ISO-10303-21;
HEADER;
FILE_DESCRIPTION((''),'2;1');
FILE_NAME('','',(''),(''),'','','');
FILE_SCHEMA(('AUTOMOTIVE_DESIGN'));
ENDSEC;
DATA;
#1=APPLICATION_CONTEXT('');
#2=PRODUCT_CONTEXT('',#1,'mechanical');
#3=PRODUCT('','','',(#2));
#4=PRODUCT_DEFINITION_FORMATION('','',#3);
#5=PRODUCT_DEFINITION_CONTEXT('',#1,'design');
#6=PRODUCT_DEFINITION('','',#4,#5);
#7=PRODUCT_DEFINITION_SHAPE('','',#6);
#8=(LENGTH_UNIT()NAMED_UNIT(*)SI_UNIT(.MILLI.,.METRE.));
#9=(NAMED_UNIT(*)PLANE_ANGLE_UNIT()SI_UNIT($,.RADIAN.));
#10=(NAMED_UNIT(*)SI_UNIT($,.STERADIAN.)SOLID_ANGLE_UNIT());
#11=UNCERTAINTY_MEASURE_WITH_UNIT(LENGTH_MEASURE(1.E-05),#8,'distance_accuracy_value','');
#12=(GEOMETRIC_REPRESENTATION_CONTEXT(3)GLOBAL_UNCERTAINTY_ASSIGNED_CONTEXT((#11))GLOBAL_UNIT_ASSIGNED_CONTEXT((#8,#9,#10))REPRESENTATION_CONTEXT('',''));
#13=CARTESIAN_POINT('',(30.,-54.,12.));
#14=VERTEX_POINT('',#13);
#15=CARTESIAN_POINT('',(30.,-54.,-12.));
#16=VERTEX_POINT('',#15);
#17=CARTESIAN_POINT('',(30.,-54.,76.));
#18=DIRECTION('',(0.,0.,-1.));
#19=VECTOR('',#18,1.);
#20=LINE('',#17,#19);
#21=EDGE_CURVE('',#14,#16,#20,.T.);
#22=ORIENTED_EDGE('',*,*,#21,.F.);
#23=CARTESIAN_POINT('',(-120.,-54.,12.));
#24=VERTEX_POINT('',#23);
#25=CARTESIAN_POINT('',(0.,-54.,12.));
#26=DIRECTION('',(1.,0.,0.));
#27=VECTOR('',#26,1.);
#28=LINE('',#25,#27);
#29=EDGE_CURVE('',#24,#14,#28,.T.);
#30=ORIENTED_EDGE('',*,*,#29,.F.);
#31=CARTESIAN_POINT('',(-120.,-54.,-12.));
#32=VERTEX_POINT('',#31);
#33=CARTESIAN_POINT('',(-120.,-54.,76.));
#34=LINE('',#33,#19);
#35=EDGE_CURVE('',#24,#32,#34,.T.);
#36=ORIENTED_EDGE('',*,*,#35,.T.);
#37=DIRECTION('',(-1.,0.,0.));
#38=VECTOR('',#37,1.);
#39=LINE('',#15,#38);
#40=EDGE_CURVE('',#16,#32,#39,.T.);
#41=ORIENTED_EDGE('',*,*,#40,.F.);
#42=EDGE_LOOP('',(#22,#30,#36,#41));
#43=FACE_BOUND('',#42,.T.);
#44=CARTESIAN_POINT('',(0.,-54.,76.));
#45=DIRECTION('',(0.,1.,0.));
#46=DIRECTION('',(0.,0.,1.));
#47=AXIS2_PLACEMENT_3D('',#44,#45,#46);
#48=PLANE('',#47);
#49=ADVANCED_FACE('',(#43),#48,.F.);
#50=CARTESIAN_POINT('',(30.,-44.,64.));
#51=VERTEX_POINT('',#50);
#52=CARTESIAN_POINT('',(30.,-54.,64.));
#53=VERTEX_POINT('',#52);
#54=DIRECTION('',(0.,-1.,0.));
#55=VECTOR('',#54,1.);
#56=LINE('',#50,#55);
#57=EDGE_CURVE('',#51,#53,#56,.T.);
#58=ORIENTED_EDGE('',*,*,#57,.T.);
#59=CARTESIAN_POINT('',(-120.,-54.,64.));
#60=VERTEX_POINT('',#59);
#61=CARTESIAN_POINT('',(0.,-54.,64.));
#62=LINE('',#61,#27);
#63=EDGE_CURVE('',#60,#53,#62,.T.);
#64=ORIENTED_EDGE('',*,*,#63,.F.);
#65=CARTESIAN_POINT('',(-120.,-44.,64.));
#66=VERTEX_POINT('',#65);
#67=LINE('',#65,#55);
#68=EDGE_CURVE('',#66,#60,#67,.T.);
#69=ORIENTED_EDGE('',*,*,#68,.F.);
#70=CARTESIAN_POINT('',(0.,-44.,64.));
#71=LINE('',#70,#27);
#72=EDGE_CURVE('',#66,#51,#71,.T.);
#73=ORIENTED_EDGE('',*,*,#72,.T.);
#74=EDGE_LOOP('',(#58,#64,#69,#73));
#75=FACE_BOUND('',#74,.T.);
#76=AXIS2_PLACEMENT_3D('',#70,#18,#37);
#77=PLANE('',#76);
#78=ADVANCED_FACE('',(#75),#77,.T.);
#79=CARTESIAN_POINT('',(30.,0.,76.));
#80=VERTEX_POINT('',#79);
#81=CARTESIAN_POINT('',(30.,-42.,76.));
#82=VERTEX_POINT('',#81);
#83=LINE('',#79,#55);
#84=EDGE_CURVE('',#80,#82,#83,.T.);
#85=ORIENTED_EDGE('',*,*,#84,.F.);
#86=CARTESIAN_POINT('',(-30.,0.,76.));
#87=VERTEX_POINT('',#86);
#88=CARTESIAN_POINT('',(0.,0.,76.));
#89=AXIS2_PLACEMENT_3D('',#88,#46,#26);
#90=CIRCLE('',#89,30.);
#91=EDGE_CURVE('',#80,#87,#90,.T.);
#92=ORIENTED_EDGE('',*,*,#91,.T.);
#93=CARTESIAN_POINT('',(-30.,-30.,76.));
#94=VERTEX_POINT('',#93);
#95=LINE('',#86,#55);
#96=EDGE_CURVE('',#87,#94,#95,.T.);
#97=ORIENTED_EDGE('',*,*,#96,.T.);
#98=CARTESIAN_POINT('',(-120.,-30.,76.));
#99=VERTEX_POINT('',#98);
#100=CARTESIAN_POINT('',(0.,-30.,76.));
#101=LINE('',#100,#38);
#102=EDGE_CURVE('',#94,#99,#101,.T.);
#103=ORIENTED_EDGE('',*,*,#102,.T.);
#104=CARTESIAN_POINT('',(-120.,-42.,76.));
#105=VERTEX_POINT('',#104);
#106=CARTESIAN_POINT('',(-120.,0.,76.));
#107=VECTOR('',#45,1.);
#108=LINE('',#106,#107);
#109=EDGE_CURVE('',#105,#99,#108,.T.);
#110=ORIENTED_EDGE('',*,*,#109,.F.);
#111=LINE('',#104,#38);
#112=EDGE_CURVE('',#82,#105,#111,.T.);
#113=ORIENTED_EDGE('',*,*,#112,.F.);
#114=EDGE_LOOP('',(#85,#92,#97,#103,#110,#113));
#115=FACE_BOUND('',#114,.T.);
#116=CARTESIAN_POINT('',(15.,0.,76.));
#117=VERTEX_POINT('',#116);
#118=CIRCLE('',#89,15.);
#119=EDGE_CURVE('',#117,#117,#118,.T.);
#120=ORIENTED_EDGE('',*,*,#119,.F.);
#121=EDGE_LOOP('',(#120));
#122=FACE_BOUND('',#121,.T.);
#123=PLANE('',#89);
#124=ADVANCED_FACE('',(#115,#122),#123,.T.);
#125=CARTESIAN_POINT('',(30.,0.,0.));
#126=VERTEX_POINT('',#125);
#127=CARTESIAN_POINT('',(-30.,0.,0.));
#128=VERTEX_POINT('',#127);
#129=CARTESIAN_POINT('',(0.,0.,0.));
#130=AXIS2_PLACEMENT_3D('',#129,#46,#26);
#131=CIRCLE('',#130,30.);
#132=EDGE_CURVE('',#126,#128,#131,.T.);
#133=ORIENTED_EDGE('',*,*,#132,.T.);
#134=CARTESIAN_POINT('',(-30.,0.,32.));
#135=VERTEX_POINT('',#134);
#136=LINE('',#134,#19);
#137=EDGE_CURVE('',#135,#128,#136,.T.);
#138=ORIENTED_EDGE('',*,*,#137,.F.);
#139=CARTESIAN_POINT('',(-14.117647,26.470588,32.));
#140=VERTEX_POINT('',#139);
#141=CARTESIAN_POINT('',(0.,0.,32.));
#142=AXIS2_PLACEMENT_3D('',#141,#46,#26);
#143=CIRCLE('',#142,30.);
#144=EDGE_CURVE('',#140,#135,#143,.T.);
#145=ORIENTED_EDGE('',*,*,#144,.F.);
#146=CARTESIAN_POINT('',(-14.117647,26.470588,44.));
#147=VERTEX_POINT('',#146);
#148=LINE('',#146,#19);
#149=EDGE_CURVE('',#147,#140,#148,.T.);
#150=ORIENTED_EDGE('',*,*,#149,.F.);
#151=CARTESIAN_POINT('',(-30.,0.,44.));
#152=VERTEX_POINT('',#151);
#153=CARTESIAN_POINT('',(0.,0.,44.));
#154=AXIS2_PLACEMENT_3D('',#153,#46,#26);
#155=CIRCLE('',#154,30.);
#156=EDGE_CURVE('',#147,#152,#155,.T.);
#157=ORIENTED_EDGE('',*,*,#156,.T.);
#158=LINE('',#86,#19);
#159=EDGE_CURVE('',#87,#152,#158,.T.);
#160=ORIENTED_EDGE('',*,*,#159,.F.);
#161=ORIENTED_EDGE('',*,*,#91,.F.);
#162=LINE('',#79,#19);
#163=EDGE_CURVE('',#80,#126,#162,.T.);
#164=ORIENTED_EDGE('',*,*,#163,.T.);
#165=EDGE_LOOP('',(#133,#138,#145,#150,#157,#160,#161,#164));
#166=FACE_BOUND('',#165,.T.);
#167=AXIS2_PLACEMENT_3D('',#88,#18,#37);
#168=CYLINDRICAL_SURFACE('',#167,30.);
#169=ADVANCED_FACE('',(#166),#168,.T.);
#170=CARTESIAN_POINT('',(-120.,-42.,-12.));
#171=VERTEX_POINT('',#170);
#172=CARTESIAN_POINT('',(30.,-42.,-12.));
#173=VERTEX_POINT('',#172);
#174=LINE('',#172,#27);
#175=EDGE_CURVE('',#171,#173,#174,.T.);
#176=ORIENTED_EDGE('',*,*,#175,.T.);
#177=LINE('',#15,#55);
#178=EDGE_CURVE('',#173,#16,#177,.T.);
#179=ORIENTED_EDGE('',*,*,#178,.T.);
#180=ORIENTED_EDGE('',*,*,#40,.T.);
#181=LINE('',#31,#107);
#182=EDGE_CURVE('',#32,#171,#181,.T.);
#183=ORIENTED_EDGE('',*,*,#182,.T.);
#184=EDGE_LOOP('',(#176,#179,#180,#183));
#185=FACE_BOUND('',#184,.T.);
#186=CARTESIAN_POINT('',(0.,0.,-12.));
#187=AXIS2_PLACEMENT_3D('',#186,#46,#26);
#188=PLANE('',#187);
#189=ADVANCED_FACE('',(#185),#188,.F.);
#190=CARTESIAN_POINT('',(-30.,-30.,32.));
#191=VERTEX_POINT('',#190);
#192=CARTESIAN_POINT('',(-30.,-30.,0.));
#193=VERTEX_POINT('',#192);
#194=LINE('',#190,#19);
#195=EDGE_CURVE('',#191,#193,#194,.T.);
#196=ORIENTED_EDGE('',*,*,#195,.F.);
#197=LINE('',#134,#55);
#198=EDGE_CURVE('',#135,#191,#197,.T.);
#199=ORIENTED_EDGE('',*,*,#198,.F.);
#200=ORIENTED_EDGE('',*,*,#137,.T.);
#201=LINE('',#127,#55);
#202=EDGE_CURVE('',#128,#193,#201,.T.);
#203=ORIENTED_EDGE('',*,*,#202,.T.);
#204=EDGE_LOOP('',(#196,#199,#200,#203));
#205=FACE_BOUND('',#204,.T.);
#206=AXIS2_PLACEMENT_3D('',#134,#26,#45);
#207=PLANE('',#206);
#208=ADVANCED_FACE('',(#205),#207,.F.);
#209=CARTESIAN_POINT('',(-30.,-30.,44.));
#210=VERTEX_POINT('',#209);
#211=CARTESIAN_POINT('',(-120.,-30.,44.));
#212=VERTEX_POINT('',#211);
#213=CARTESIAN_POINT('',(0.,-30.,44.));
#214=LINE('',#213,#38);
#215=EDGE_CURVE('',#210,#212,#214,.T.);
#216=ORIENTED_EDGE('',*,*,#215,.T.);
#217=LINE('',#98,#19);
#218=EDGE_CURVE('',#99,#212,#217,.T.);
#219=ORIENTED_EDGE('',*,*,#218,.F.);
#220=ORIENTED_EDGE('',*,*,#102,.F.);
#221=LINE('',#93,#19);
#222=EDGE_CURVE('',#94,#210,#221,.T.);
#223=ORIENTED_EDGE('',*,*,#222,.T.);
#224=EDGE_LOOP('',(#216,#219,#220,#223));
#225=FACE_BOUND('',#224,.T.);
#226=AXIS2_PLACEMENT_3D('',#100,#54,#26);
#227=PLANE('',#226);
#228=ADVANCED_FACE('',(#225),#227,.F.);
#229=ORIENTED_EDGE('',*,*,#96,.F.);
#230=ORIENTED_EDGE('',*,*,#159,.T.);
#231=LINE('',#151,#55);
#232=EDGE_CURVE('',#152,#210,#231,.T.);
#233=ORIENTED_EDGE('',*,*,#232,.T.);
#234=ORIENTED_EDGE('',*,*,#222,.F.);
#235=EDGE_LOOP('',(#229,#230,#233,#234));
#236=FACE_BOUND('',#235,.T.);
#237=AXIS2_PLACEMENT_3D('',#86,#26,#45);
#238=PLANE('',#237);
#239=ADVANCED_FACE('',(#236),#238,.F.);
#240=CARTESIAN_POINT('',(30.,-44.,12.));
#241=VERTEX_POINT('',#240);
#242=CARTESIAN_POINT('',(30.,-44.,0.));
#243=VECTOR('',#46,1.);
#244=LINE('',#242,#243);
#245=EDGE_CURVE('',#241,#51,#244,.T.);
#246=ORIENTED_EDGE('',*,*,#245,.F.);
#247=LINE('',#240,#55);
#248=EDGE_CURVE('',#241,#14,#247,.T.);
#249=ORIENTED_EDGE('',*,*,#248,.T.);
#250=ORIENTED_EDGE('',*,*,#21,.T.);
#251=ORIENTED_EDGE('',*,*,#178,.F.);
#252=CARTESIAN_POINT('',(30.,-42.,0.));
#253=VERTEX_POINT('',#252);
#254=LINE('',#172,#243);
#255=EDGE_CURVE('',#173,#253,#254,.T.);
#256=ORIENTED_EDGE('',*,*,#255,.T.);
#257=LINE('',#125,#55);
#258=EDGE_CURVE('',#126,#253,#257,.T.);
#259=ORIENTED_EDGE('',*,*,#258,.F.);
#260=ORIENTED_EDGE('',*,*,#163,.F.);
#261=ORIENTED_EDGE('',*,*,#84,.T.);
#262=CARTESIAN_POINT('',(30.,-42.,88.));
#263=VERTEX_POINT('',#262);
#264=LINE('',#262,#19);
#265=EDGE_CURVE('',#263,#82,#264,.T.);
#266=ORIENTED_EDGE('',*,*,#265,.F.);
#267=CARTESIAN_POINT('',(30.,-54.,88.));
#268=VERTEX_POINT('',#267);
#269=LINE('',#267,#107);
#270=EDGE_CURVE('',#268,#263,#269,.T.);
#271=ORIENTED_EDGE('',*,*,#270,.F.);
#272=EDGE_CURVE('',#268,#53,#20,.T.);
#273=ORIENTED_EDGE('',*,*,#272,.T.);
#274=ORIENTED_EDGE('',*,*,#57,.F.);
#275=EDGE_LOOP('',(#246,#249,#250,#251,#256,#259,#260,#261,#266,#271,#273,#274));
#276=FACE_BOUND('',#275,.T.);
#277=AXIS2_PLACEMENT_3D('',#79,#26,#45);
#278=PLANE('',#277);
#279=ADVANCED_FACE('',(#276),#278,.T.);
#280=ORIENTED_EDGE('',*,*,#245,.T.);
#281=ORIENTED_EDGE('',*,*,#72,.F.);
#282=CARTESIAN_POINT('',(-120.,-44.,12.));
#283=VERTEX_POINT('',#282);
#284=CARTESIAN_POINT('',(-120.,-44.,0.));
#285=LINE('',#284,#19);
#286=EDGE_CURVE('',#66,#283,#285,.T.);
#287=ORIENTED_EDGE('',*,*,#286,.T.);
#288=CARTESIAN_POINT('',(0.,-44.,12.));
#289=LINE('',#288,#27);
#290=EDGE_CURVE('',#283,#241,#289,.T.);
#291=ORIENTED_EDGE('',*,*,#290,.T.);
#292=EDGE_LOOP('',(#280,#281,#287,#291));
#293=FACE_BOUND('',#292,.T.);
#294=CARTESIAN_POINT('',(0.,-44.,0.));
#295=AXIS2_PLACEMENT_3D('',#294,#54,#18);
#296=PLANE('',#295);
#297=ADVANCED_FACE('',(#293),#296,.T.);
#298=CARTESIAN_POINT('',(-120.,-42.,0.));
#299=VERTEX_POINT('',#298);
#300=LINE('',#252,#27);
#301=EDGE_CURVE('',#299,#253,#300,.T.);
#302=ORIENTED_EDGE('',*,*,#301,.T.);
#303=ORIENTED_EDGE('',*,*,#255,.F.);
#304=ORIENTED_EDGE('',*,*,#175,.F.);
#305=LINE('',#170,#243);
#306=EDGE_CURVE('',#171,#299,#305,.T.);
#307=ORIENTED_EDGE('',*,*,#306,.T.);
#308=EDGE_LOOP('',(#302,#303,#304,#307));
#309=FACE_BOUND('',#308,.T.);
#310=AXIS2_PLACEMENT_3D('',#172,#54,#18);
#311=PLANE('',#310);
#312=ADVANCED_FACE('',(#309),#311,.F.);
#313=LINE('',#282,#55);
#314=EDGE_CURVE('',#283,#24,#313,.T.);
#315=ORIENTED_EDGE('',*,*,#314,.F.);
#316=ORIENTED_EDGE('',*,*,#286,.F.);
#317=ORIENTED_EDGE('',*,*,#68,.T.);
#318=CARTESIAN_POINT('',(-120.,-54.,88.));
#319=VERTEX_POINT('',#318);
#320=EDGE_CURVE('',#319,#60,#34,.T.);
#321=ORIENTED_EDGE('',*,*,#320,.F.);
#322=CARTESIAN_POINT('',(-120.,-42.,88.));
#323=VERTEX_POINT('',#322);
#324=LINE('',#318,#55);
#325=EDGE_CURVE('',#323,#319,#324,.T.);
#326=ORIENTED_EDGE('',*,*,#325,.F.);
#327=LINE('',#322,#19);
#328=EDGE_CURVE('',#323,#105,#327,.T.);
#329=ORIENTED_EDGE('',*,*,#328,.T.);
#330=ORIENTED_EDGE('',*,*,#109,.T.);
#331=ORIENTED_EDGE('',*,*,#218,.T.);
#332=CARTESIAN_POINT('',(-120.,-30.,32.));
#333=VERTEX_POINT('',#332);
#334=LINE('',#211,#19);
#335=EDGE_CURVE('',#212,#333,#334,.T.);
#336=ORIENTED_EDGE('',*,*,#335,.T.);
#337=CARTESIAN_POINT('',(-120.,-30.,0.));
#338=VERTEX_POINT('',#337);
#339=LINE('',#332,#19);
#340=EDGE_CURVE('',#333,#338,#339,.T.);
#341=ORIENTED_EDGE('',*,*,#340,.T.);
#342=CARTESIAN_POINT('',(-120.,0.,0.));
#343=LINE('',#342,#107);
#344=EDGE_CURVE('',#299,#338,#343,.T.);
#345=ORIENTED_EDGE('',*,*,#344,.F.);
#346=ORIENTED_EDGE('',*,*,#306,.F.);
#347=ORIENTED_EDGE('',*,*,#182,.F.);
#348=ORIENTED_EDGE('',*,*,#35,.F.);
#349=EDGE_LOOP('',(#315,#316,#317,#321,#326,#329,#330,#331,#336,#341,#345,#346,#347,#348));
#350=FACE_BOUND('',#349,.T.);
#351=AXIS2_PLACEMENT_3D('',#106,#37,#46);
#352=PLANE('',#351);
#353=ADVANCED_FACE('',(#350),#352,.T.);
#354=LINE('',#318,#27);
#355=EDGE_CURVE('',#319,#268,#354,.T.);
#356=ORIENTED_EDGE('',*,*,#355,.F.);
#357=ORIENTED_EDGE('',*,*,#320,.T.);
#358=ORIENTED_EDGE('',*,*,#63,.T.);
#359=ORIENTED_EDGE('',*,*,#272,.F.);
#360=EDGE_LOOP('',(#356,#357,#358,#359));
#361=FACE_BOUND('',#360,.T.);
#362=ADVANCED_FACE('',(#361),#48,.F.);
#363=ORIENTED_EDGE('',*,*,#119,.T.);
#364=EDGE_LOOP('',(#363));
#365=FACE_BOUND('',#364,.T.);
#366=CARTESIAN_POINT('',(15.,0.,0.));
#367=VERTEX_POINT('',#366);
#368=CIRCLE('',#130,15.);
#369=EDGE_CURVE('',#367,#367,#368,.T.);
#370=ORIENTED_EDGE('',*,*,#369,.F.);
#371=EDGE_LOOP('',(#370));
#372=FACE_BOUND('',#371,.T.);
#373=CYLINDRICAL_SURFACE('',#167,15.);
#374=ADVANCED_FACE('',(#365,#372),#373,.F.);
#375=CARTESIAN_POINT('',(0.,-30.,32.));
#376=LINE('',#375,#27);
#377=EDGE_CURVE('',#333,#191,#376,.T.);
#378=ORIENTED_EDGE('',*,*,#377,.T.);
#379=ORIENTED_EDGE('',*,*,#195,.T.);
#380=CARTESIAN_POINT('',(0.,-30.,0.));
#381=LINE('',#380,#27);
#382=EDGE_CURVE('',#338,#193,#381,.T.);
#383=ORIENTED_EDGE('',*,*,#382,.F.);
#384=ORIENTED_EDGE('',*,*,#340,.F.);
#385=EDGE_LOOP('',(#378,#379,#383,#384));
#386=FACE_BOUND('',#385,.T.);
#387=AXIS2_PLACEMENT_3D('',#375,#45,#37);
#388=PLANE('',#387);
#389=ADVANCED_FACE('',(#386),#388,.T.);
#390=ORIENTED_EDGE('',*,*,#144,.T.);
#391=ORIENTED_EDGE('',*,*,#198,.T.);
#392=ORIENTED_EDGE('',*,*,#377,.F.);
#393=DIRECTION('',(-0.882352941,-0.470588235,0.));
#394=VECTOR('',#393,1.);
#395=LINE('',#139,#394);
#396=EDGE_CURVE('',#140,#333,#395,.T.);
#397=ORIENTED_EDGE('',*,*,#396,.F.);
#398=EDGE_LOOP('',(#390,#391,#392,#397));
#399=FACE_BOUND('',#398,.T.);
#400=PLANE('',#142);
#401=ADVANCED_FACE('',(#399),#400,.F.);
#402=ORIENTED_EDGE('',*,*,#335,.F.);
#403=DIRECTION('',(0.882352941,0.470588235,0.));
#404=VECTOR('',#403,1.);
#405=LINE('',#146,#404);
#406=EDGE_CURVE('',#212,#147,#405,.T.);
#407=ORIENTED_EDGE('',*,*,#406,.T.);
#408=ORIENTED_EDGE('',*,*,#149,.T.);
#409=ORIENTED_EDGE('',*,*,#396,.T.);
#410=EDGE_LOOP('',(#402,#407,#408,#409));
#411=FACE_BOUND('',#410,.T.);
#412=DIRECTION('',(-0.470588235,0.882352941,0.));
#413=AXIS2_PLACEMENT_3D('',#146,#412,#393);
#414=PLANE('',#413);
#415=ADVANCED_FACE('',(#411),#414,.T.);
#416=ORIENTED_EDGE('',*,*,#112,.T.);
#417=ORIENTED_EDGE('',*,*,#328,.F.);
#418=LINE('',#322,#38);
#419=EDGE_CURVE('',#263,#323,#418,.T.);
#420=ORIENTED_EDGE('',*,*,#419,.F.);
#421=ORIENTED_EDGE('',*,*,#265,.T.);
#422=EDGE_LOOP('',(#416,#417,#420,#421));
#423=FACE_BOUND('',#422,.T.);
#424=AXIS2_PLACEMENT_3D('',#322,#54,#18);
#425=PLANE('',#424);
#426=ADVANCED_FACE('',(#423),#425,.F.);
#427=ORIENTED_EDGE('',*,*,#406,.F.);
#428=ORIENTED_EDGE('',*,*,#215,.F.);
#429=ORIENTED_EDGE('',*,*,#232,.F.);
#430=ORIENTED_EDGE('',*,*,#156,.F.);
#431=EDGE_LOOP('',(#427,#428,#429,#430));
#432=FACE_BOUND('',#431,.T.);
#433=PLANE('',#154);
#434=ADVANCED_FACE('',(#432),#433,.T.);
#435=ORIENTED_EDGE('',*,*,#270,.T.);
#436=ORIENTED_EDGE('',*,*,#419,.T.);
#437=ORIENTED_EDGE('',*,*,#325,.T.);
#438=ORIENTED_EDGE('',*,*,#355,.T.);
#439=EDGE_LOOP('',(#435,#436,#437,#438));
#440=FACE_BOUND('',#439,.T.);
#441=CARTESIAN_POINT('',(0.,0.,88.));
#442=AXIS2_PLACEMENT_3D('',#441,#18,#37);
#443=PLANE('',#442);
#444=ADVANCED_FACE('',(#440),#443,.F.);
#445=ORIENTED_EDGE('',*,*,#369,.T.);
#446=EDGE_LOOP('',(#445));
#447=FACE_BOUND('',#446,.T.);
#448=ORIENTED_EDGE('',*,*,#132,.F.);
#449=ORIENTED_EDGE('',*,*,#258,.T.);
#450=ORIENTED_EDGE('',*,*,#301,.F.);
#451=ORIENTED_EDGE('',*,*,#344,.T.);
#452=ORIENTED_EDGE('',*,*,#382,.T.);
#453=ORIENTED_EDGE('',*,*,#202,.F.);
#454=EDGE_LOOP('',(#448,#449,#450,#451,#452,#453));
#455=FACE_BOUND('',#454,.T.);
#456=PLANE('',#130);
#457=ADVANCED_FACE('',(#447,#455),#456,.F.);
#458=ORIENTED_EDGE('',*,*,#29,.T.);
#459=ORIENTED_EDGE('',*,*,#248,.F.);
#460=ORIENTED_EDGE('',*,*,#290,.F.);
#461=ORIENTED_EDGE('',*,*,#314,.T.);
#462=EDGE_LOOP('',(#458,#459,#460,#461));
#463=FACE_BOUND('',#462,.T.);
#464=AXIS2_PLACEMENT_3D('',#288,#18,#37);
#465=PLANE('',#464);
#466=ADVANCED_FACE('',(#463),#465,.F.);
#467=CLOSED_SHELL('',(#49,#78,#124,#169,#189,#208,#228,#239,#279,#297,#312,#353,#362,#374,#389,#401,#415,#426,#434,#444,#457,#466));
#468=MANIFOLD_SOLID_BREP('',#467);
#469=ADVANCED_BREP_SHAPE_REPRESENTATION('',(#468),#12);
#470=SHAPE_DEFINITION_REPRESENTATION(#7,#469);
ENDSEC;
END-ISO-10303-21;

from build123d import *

# Parameters (mm, degrees)
SKETCH2_W           = 90
SKETCH2_H           = 24
BOSS_EXTRUDE1_DEPTH = 76
SKETCH3_W           = 150
SKETCH3_H           = 12
BOSS_EXTRUDE2_DEPTH = 12
SKETCH4_W           = 150
SKETCH4_H           = 12
BOSS_EXTRUDE3_DEPTH = 12
SKETCH5_W           = 150
SKETCH5_H           = 52
CUT_EXTRUDE1_DEPTH  = 10
BOSS_EXTRUDE6_DEPTH = 44
CUT_EXTRUDE2_DEPTH  = 32


with BuildPart() as part:
    # Sketch2 → Boss-Extrude1 (new body)
    with BuildSketch(Plane.XY):
        with BuildLine():
            Line((30, -54), (30, 0))
            ThreePointArc((30, 0), (0, -30), (-30, 0))
            Line((-30, 0), (-30, -30))
            Line((-30, -30), (-30, -54))
            Line((-30, -54), (30, -54))
        make_face()
        with Locations((-75, -42)):
            Rectangle(SKETCH2_W, SKETCH2_H)
        with BuildLine():
            ThreePointArc((-15, 0), (0, 15), (15, 0))
            Line((15, 0), (30, 0))
            ThreePointArc((30, 0), (0, 30), (-30, 0))
            Line((-30, 0), (-15, 0))
        make_face()
        with BuildLine():
            Line((30, 0), (15, 0))
            ThreePointArc((15, 0), (0, -15), (-15, 0))
            Line((-15, 0), (-30, 0))
            ThreePointArc((-30, 0), (0, -30), (30, 0))
        make_face()
    extrude(amount=BOSS_EXTRUDE1_DEPTH)

    # Sketch3 → Boss-Extrude2 (add)
    with BuildSketch(Plane.XY.offset(76)):
        with Locations((-45, -48)):
            Rectangle(SKETCH3_W, SKETCH3_H)
    extrude(amount=BOSS_EXTRUDE2_DEPTH)

    # Sketch4 → Boss-Extrude3 (add)
    with BuildSketch(Plane(origin=(0, 0, 0), x_dir=(-1, 0, 0), z_dir=(0, 0, -1))):
        with Locations((45, -48)):
            Rectangle(SKETCH4_W, SKETCH4_H)
    extrude(amount=BOSS_EXTRUDE3_DEPTH)

    # Sketch5 → Cut-Extrude1 (cut)
    with BuildSketch(Plane(origin=(0, -54, 0), x_dir=(-1, 0, 0), z_dir=(0, -1, 0))):
        with Locations((45, -38)):
            Rectangle(SKETCH5_W, SKETCH5_H)
    extrude(amount=-CUT_EXTRUDE1_DEPTH, mode=Mode.SUBTRACT)

    # Sketch11 → Boss-Extrude6 (add)
    with BuildSketch(Plane.XY):
        with BuildLine():
            Line((-14.117647059, 26.470588235), (-120, -30))
            Line((-120, -30), (-30, -30))
            Line((-30, -30), (-30, 0))
            ThreePointArc((-30, 0), (-25.724787771, 15.434872663), (-14.117647059, 26.470588235))
        make_face()
    extrude(amount=BOSS_EXTRUDE6_DEPTH)

    # Sketch13 → Cut-Extrude2 (cut)
    with BuildSketch(Plane.XY):
        with BuildLine():
            Line((-30, -30), (-30, 0))
            ThreePointArc((-30, 0), (-25.724787771, 15.434872663), (-14.117647059, 26.470588235))
            Line((-14.117647059, 26.470588235), (-120, -30))
            Line((-120, -30), (-30, -30))
        make_face()
    extrude(amount=CUT_EXTRUDE2_DEPTH, mode=Mode.SUBTRACT)


solid = part.part
